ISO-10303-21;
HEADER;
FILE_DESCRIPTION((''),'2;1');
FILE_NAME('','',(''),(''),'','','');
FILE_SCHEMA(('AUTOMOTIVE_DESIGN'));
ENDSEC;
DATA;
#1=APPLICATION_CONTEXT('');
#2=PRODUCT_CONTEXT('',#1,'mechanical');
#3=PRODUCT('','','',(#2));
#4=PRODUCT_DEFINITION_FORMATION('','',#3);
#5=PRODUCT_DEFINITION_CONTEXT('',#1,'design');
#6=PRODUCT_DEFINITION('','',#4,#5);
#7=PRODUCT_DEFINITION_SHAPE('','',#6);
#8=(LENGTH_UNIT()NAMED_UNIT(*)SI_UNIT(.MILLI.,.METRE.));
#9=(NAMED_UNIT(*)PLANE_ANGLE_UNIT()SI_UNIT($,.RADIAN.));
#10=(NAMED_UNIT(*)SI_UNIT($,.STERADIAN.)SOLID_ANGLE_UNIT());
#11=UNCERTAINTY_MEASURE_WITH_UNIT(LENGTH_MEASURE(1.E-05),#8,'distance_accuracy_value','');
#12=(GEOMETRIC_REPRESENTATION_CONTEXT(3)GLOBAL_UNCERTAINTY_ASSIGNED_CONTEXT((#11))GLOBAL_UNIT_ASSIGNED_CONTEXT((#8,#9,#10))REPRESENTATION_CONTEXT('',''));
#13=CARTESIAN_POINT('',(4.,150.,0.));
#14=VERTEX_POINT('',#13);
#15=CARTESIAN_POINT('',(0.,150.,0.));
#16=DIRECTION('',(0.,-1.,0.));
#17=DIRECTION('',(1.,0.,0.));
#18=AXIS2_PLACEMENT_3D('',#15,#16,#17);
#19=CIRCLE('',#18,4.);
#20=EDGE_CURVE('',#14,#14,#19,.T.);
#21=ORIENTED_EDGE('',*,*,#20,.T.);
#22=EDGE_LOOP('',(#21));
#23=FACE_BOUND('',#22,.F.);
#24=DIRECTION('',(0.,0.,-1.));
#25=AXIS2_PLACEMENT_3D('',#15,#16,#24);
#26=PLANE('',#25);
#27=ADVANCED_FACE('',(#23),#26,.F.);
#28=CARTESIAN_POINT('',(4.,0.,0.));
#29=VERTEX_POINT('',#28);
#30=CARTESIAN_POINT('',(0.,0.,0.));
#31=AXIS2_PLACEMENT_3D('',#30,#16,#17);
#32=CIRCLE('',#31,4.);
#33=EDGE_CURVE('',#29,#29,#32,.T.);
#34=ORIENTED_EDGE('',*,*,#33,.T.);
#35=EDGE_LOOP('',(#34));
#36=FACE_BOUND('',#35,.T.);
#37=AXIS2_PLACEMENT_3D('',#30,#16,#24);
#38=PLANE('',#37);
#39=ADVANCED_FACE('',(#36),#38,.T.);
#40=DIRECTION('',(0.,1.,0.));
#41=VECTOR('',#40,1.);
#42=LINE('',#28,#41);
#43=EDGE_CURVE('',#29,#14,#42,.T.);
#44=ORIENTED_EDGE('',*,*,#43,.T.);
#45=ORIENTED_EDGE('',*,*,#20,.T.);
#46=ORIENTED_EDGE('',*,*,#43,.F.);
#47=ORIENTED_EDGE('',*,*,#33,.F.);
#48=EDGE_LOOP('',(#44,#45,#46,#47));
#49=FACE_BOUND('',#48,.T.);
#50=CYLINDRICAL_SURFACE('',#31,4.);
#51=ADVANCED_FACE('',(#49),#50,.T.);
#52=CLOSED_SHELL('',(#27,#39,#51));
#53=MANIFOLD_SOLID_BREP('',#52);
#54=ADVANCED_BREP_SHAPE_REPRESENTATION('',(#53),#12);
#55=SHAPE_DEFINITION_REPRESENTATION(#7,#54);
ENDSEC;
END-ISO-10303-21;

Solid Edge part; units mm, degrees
sketch "Sketch1" plane through (0, 0, 0) normal (0, -1, 0) x (1, 0, 0)
  circle A0 centre (0, 0) radius 4
extrude "Protrusion1" add sketch "Sketch1" against normal blind 150
